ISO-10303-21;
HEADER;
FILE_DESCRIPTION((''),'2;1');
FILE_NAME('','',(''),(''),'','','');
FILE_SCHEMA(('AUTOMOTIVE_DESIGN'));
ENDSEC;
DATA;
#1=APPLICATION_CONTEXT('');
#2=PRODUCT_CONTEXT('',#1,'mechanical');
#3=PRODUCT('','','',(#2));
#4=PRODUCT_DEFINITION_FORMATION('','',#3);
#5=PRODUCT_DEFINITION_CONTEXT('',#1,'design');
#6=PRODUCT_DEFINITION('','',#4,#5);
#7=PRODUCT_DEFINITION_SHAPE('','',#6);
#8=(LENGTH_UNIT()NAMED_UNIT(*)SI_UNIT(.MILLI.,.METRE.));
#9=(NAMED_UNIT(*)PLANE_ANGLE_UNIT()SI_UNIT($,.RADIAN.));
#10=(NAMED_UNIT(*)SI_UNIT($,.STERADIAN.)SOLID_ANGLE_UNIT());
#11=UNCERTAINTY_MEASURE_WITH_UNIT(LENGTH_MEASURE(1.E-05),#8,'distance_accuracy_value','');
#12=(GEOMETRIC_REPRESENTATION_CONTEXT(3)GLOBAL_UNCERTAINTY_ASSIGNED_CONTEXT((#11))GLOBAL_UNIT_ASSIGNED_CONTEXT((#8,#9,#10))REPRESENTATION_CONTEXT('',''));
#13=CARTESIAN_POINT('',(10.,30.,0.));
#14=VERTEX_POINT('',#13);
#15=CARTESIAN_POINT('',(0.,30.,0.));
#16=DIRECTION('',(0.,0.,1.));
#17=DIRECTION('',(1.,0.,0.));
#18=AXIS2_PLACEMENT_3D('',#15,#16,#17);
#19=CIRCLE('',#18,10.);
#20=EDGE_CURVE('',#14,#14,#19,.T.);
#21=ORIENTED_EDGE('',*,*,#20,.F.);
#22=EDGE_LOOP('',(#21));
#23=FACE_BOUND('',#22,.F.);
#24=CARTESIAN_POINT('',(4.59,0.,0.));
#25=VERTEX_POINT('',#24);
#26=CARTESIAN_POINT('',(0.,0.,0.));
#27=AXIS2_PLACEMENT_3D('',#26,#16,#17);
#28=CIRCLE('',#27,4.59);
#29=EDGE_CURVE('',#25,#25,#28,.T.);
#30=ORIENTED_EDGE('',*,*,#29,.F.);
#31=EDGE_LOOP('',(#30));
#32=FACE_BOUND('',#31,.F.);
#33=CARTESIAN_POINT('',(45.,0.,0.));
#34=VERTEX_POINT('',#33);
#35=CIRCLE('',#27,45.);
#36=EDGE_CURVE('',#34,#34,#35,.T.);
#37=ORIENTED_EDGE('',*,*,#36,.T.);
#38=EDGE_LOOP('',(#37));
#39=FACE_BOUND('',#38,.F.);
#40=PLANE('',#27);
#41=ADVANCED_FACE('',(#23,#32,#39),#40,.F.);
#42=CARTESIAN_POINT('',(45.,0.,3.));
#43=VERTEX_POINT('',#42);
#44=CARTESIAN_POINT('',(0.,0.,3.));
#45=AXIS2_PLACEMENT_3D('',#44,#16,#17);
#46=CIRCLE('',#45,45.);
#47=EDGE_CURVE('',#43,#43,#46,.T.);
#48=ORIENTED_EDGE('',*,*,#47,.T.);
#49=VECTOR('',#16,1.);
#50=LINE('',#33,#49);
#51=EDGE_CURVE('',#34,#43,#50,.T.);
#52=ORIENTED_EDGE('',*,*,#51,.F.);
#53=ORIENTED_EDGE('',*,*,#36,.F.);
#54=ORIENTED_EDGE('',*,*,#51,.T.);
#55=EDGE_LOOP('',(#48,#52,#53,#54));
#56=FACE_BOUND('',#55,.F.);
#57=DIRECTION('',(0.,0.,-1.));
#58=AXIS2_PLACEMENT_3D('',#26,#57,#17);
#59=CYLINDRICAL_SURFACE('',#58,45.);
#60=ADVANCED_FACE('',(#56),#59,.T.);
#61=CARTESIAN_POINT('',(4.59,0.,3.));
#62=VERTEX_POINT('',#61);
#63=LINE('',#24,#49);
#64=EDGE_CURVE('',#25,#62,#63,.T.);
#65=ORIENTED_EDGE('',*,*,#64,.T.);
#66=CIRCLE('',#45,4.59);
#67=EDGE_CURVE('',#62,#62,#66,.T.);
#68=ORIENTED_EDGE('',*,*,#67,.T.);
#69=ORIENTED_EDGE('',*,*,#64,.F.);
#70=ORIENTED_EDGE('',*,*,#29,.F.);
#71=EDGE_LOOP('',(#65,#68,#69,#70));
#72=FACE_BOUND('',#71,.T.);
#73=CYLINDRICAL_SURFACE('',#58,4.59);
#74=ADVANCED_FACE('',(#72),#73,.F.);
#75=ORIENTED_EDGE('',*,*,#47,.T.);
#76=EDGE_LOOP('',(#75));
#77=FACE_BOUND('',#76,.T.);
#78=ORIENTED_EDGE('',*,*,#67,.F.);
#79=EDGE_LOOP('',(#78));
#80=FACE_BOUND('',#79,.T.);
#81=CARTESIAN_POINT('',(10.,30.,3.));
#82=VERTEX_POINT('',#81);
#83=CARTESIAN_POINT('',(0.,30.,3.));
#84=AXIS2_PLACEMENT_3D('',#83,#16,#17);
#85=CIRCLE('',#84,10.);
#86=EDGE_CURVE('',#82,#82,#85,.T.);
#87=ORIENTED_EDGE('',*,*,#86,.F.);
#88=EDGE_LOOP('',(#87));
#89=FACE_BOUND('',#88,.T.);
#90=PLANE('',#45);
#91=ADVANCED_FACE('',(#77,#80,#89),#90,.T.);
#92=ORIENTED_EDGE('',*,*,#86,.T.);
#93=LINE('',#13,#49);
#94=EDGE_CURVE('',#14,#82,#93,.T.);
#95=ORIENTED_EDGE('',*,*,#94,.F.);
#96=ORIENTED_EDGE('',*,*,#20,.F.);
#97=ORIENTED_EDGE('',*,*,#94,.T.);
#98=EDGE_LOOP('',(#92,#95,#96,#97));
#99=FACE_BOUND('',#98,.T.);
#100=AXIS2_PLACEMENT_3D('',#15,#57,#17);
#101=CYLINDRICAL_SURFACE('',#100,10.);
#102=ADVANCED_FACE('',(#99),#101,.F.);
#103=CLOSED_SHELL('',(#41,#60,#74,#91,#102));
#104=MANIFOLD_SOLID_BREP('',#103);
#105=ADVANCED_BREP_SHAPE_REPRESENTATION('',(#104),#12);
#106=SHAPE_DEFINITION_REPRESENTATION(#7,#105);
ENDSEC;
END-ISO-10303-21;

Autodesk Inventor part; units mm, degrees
ref_plane "YZ Plane" through (0, 0, 0) normal (1, 0, 0) x (0, 1, 0)
ref_plane "XZ Plane" through (0, 0, 0) normal (0, 1, 0) x (-1, 0, 0)
ref_plane "XY Plane" through (0, 0, 0) normal (0, 0, 1) x (1, 0, 0)
sketch "Sketch1" plane through (0, 0, 0) normal (0, 0, 1) x (1, 0, 0)
  circle A0 centre (0, 0) radius 45
  circle A1 centre (0, 0) radius 4.59
  circle A2 centre (0, 30) radius 10
  dimension "d0" = 90
  dimension "d1" = 9.18
  dimension "d4" = 20
  dimension "d6" = 30
extrude "Extrusion2" add sketch "Sketch1" along normal blind 3
properties part number "OpenROV 2_3_2 Dev EndCap 90"
